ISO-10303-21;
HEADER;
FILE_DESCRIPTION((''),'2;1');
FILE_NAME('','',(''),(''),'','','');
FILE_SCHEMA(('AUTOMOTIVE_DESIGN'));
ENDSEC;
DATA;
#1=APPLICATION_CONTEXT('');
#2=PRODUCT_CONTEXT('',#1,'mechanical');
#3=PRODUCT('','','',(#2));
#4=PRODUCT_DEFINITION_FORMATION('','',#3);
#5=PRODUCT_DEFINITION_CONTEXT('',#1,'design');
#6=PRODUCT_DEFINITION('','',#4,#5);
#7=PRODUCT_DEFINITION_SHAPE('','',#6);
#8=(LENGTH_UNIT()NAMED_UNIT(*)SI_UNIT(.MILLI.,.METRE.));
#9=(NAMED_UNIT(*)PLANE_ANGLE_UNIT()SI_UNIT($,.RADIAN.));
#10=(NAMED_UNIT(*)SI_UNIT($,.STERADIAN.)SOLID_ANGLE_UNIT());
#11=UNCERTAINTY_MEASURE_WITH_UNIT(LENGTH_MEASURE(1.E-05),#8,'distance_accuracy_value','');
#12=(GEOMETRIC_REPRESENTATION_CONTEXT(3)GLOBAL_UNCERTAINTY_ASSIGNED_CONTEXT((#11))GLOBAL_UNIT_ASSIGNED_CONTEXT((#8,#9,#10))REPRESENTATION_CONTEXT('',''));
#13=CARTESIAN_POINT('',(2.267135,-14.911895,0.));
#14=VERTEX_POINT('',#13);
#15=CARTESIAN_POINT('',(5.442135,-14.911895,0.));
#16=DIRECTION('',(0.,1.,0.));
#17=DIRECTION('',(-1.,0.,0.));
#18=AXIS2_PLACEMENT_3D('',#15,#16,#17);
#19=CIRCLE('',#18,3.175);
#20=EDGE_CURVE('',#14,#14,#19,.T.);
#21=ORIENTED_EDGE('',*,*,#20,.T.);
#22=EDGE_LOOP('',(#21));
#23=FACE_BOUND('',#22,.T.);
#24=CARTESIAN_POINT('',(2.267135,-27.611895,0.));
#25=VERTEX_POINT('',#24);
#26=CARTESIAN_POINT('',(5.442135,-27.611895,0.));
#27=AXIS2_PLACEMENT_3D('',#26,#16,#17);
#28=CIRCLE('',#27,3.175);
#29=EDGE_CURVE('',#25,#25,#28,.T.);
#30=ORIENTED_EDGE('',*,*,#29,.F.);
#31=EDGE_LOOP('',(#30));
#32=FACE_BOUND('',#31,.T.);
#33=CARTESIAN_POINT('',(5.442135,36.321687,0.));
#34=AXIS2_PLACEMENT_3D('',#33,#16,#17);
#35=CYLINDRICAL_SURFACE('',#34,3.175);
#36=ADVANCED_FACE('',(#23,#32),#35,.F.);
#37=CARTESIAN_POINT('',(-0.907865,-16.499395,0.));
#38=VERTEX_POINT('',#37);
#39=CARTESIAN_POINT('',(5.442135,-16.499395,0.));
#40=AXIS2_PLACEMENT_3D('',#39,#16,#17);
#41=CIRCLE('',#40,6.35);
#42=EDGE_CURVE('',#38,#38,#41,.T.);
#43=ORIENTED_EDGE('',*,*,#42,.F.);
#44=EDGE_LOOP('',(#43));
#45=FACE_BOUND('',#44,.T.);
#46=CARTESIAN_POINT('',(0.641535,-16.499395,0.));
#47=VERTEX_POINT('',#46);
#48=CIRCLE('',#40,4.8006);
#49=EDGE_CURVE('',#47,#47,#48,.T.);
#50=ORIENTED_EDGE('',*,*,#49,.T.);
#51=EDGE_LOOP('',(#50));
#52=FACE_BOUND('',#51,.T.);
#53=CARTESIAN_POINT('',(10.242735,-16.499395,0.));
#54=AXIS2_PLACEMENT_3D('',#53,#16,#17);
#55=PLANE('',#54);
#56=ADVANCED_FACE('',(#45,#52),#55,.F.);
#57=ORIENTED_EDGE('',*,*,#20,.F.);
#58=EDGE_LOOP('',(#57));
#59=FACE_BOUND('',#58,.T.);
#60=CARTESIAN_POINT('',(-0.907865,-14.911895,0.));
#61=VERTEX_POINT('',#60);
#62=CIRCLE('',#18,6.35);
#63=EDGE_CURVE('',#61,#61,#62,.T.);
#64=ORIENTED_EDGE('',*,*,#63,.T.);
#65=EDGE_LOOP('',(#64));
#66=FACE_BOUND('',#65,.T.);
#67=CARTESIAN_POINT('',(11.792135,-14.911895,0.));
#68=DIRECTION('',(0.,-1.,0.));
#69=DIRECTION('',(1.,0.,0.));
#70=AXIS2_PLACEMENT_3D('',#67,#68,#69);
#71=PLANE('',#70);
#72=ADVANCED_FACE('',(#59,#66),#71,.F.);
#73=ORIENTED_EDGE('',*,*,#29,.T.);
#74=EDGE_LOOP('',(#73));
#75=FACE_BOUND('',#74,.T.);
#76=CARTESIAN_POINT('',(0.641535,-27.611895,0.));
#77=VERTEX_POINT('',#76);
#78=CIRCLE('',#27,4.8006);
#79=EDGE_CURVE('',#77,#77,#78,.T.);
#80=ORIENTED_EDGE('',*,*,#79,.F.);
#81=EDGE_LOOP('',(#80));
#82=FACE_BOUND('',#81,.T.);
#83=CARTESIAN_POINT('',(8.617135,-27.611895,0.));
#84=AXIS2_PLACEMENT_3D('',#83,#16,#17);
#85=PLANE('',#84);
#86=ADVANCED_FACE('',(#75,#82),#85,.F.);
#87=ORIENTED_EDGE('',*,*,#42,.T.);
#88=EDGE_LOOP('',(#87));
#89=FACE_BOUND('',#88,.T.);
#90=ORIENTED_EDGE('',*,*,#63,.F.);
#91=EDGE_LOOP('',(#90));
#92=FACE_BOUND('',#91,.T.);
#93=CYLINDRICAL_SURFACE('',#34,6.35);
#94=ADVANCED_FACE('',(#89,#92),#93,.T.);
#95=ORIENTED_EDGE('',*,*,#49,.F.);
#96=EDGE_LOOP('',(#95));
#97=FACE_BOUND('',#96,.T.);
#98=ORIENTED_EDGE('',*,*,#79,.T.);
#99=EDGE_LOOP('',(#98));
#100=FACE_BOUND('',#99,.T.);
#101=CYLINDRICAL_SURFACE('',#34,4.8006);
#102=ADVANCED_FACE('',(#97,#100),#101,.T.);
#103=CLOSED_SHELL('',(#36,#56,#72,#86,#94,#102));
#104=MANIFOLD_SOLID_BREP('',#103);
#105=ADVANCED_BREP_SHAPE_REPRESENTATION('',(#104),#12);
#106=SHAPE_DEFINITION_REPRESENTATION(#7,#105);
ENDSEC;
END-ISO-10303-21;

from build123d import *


with BuildPart() as part:
    # Sketch1 → Revolve1 (revolve)
    with BuildSketch(Plane.XY, mode=Mode.PRIVATE) as revolve1_sk:
        Polygon((8.617134939, -14.91189475), (8.617134939, -27.61189475), (10.242734939, -27.61189475), (10.242734939, -16.49939475), (11.792134939, -16.49939475), (11.792134939, -14.91189475), align=None)
    revolve(revolve1_sk.sketch.rotate(Axis((5.442134939, 36.321687054, 0), (0, -1, 0)), 180), axis=Axis((5.442134939, 36.321687054, 0), (0, -1, 0)))


solid = part.part
